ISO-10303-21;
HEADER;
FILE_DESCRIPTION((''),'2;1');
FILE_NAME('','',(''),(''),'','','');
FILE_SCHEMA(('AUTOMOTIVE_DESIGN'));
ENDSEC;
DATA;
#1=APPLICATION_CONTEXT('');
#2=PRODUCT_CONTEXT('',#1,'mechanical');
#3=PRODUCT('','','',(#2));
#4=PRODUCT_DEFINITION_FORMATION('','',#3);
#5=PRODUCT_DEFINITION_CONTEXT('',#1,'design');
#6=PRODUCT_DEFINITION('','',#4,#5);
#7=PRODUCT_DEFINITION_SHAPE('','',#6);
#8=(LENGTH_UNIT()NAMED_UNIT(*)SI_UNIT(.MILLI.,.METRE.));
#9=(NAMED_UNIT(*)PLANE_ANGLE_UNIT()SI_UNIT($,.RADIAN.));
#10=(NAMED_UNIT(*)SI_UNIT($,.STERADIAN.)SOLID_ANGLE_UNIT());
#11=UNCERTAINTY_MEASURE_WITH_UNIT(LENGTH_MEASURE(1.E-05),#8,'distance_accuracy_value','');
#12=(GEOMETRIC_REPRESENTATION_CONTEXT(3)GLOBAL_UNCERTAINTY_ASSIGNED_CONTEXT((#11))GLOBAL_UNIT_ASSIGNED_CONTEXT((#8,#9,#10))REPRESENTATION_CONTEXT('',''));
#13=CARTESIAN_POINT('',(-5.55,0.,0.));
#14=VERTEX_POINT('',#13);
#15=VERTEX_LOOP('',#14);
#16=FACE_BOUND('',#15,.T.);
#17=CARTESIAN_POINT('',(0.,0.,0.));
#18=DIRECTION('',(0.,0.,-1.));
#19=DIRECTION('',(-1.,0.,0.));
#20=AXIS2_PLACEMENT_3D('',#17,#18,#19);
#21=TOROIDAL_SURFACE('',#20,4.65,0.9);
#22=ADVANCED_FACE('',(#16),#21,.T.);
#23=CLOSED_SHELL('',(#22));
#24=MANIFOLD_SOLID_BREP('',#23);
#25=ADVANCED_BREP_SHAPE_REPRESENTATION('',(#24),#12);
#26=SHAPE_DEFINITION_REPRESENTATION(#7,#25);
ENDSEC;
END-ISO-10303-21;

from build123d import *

# Parameters (mm, degrees)
SKETCH2_R = 0.9


with BuildPart() as part:
    # Sweep1: sweep along a path in Sketch1
    with BuildLine(Plane.XY) as sweep1_path:
        CenterArc((0, 0), 3.75, 0, 360)
    # Sketch2 → Sweep1 (sweep)
    with BuildSketch(Plane(origin=(0, 0, 0), x_dir=(1, 0, 0), z_dir=(0, 1, 0))):
        with Locations((-4.65, 0)):
            Circle(SKETCH2_R)
    sweep(path=sweep1_path.line)


solid = part.part
